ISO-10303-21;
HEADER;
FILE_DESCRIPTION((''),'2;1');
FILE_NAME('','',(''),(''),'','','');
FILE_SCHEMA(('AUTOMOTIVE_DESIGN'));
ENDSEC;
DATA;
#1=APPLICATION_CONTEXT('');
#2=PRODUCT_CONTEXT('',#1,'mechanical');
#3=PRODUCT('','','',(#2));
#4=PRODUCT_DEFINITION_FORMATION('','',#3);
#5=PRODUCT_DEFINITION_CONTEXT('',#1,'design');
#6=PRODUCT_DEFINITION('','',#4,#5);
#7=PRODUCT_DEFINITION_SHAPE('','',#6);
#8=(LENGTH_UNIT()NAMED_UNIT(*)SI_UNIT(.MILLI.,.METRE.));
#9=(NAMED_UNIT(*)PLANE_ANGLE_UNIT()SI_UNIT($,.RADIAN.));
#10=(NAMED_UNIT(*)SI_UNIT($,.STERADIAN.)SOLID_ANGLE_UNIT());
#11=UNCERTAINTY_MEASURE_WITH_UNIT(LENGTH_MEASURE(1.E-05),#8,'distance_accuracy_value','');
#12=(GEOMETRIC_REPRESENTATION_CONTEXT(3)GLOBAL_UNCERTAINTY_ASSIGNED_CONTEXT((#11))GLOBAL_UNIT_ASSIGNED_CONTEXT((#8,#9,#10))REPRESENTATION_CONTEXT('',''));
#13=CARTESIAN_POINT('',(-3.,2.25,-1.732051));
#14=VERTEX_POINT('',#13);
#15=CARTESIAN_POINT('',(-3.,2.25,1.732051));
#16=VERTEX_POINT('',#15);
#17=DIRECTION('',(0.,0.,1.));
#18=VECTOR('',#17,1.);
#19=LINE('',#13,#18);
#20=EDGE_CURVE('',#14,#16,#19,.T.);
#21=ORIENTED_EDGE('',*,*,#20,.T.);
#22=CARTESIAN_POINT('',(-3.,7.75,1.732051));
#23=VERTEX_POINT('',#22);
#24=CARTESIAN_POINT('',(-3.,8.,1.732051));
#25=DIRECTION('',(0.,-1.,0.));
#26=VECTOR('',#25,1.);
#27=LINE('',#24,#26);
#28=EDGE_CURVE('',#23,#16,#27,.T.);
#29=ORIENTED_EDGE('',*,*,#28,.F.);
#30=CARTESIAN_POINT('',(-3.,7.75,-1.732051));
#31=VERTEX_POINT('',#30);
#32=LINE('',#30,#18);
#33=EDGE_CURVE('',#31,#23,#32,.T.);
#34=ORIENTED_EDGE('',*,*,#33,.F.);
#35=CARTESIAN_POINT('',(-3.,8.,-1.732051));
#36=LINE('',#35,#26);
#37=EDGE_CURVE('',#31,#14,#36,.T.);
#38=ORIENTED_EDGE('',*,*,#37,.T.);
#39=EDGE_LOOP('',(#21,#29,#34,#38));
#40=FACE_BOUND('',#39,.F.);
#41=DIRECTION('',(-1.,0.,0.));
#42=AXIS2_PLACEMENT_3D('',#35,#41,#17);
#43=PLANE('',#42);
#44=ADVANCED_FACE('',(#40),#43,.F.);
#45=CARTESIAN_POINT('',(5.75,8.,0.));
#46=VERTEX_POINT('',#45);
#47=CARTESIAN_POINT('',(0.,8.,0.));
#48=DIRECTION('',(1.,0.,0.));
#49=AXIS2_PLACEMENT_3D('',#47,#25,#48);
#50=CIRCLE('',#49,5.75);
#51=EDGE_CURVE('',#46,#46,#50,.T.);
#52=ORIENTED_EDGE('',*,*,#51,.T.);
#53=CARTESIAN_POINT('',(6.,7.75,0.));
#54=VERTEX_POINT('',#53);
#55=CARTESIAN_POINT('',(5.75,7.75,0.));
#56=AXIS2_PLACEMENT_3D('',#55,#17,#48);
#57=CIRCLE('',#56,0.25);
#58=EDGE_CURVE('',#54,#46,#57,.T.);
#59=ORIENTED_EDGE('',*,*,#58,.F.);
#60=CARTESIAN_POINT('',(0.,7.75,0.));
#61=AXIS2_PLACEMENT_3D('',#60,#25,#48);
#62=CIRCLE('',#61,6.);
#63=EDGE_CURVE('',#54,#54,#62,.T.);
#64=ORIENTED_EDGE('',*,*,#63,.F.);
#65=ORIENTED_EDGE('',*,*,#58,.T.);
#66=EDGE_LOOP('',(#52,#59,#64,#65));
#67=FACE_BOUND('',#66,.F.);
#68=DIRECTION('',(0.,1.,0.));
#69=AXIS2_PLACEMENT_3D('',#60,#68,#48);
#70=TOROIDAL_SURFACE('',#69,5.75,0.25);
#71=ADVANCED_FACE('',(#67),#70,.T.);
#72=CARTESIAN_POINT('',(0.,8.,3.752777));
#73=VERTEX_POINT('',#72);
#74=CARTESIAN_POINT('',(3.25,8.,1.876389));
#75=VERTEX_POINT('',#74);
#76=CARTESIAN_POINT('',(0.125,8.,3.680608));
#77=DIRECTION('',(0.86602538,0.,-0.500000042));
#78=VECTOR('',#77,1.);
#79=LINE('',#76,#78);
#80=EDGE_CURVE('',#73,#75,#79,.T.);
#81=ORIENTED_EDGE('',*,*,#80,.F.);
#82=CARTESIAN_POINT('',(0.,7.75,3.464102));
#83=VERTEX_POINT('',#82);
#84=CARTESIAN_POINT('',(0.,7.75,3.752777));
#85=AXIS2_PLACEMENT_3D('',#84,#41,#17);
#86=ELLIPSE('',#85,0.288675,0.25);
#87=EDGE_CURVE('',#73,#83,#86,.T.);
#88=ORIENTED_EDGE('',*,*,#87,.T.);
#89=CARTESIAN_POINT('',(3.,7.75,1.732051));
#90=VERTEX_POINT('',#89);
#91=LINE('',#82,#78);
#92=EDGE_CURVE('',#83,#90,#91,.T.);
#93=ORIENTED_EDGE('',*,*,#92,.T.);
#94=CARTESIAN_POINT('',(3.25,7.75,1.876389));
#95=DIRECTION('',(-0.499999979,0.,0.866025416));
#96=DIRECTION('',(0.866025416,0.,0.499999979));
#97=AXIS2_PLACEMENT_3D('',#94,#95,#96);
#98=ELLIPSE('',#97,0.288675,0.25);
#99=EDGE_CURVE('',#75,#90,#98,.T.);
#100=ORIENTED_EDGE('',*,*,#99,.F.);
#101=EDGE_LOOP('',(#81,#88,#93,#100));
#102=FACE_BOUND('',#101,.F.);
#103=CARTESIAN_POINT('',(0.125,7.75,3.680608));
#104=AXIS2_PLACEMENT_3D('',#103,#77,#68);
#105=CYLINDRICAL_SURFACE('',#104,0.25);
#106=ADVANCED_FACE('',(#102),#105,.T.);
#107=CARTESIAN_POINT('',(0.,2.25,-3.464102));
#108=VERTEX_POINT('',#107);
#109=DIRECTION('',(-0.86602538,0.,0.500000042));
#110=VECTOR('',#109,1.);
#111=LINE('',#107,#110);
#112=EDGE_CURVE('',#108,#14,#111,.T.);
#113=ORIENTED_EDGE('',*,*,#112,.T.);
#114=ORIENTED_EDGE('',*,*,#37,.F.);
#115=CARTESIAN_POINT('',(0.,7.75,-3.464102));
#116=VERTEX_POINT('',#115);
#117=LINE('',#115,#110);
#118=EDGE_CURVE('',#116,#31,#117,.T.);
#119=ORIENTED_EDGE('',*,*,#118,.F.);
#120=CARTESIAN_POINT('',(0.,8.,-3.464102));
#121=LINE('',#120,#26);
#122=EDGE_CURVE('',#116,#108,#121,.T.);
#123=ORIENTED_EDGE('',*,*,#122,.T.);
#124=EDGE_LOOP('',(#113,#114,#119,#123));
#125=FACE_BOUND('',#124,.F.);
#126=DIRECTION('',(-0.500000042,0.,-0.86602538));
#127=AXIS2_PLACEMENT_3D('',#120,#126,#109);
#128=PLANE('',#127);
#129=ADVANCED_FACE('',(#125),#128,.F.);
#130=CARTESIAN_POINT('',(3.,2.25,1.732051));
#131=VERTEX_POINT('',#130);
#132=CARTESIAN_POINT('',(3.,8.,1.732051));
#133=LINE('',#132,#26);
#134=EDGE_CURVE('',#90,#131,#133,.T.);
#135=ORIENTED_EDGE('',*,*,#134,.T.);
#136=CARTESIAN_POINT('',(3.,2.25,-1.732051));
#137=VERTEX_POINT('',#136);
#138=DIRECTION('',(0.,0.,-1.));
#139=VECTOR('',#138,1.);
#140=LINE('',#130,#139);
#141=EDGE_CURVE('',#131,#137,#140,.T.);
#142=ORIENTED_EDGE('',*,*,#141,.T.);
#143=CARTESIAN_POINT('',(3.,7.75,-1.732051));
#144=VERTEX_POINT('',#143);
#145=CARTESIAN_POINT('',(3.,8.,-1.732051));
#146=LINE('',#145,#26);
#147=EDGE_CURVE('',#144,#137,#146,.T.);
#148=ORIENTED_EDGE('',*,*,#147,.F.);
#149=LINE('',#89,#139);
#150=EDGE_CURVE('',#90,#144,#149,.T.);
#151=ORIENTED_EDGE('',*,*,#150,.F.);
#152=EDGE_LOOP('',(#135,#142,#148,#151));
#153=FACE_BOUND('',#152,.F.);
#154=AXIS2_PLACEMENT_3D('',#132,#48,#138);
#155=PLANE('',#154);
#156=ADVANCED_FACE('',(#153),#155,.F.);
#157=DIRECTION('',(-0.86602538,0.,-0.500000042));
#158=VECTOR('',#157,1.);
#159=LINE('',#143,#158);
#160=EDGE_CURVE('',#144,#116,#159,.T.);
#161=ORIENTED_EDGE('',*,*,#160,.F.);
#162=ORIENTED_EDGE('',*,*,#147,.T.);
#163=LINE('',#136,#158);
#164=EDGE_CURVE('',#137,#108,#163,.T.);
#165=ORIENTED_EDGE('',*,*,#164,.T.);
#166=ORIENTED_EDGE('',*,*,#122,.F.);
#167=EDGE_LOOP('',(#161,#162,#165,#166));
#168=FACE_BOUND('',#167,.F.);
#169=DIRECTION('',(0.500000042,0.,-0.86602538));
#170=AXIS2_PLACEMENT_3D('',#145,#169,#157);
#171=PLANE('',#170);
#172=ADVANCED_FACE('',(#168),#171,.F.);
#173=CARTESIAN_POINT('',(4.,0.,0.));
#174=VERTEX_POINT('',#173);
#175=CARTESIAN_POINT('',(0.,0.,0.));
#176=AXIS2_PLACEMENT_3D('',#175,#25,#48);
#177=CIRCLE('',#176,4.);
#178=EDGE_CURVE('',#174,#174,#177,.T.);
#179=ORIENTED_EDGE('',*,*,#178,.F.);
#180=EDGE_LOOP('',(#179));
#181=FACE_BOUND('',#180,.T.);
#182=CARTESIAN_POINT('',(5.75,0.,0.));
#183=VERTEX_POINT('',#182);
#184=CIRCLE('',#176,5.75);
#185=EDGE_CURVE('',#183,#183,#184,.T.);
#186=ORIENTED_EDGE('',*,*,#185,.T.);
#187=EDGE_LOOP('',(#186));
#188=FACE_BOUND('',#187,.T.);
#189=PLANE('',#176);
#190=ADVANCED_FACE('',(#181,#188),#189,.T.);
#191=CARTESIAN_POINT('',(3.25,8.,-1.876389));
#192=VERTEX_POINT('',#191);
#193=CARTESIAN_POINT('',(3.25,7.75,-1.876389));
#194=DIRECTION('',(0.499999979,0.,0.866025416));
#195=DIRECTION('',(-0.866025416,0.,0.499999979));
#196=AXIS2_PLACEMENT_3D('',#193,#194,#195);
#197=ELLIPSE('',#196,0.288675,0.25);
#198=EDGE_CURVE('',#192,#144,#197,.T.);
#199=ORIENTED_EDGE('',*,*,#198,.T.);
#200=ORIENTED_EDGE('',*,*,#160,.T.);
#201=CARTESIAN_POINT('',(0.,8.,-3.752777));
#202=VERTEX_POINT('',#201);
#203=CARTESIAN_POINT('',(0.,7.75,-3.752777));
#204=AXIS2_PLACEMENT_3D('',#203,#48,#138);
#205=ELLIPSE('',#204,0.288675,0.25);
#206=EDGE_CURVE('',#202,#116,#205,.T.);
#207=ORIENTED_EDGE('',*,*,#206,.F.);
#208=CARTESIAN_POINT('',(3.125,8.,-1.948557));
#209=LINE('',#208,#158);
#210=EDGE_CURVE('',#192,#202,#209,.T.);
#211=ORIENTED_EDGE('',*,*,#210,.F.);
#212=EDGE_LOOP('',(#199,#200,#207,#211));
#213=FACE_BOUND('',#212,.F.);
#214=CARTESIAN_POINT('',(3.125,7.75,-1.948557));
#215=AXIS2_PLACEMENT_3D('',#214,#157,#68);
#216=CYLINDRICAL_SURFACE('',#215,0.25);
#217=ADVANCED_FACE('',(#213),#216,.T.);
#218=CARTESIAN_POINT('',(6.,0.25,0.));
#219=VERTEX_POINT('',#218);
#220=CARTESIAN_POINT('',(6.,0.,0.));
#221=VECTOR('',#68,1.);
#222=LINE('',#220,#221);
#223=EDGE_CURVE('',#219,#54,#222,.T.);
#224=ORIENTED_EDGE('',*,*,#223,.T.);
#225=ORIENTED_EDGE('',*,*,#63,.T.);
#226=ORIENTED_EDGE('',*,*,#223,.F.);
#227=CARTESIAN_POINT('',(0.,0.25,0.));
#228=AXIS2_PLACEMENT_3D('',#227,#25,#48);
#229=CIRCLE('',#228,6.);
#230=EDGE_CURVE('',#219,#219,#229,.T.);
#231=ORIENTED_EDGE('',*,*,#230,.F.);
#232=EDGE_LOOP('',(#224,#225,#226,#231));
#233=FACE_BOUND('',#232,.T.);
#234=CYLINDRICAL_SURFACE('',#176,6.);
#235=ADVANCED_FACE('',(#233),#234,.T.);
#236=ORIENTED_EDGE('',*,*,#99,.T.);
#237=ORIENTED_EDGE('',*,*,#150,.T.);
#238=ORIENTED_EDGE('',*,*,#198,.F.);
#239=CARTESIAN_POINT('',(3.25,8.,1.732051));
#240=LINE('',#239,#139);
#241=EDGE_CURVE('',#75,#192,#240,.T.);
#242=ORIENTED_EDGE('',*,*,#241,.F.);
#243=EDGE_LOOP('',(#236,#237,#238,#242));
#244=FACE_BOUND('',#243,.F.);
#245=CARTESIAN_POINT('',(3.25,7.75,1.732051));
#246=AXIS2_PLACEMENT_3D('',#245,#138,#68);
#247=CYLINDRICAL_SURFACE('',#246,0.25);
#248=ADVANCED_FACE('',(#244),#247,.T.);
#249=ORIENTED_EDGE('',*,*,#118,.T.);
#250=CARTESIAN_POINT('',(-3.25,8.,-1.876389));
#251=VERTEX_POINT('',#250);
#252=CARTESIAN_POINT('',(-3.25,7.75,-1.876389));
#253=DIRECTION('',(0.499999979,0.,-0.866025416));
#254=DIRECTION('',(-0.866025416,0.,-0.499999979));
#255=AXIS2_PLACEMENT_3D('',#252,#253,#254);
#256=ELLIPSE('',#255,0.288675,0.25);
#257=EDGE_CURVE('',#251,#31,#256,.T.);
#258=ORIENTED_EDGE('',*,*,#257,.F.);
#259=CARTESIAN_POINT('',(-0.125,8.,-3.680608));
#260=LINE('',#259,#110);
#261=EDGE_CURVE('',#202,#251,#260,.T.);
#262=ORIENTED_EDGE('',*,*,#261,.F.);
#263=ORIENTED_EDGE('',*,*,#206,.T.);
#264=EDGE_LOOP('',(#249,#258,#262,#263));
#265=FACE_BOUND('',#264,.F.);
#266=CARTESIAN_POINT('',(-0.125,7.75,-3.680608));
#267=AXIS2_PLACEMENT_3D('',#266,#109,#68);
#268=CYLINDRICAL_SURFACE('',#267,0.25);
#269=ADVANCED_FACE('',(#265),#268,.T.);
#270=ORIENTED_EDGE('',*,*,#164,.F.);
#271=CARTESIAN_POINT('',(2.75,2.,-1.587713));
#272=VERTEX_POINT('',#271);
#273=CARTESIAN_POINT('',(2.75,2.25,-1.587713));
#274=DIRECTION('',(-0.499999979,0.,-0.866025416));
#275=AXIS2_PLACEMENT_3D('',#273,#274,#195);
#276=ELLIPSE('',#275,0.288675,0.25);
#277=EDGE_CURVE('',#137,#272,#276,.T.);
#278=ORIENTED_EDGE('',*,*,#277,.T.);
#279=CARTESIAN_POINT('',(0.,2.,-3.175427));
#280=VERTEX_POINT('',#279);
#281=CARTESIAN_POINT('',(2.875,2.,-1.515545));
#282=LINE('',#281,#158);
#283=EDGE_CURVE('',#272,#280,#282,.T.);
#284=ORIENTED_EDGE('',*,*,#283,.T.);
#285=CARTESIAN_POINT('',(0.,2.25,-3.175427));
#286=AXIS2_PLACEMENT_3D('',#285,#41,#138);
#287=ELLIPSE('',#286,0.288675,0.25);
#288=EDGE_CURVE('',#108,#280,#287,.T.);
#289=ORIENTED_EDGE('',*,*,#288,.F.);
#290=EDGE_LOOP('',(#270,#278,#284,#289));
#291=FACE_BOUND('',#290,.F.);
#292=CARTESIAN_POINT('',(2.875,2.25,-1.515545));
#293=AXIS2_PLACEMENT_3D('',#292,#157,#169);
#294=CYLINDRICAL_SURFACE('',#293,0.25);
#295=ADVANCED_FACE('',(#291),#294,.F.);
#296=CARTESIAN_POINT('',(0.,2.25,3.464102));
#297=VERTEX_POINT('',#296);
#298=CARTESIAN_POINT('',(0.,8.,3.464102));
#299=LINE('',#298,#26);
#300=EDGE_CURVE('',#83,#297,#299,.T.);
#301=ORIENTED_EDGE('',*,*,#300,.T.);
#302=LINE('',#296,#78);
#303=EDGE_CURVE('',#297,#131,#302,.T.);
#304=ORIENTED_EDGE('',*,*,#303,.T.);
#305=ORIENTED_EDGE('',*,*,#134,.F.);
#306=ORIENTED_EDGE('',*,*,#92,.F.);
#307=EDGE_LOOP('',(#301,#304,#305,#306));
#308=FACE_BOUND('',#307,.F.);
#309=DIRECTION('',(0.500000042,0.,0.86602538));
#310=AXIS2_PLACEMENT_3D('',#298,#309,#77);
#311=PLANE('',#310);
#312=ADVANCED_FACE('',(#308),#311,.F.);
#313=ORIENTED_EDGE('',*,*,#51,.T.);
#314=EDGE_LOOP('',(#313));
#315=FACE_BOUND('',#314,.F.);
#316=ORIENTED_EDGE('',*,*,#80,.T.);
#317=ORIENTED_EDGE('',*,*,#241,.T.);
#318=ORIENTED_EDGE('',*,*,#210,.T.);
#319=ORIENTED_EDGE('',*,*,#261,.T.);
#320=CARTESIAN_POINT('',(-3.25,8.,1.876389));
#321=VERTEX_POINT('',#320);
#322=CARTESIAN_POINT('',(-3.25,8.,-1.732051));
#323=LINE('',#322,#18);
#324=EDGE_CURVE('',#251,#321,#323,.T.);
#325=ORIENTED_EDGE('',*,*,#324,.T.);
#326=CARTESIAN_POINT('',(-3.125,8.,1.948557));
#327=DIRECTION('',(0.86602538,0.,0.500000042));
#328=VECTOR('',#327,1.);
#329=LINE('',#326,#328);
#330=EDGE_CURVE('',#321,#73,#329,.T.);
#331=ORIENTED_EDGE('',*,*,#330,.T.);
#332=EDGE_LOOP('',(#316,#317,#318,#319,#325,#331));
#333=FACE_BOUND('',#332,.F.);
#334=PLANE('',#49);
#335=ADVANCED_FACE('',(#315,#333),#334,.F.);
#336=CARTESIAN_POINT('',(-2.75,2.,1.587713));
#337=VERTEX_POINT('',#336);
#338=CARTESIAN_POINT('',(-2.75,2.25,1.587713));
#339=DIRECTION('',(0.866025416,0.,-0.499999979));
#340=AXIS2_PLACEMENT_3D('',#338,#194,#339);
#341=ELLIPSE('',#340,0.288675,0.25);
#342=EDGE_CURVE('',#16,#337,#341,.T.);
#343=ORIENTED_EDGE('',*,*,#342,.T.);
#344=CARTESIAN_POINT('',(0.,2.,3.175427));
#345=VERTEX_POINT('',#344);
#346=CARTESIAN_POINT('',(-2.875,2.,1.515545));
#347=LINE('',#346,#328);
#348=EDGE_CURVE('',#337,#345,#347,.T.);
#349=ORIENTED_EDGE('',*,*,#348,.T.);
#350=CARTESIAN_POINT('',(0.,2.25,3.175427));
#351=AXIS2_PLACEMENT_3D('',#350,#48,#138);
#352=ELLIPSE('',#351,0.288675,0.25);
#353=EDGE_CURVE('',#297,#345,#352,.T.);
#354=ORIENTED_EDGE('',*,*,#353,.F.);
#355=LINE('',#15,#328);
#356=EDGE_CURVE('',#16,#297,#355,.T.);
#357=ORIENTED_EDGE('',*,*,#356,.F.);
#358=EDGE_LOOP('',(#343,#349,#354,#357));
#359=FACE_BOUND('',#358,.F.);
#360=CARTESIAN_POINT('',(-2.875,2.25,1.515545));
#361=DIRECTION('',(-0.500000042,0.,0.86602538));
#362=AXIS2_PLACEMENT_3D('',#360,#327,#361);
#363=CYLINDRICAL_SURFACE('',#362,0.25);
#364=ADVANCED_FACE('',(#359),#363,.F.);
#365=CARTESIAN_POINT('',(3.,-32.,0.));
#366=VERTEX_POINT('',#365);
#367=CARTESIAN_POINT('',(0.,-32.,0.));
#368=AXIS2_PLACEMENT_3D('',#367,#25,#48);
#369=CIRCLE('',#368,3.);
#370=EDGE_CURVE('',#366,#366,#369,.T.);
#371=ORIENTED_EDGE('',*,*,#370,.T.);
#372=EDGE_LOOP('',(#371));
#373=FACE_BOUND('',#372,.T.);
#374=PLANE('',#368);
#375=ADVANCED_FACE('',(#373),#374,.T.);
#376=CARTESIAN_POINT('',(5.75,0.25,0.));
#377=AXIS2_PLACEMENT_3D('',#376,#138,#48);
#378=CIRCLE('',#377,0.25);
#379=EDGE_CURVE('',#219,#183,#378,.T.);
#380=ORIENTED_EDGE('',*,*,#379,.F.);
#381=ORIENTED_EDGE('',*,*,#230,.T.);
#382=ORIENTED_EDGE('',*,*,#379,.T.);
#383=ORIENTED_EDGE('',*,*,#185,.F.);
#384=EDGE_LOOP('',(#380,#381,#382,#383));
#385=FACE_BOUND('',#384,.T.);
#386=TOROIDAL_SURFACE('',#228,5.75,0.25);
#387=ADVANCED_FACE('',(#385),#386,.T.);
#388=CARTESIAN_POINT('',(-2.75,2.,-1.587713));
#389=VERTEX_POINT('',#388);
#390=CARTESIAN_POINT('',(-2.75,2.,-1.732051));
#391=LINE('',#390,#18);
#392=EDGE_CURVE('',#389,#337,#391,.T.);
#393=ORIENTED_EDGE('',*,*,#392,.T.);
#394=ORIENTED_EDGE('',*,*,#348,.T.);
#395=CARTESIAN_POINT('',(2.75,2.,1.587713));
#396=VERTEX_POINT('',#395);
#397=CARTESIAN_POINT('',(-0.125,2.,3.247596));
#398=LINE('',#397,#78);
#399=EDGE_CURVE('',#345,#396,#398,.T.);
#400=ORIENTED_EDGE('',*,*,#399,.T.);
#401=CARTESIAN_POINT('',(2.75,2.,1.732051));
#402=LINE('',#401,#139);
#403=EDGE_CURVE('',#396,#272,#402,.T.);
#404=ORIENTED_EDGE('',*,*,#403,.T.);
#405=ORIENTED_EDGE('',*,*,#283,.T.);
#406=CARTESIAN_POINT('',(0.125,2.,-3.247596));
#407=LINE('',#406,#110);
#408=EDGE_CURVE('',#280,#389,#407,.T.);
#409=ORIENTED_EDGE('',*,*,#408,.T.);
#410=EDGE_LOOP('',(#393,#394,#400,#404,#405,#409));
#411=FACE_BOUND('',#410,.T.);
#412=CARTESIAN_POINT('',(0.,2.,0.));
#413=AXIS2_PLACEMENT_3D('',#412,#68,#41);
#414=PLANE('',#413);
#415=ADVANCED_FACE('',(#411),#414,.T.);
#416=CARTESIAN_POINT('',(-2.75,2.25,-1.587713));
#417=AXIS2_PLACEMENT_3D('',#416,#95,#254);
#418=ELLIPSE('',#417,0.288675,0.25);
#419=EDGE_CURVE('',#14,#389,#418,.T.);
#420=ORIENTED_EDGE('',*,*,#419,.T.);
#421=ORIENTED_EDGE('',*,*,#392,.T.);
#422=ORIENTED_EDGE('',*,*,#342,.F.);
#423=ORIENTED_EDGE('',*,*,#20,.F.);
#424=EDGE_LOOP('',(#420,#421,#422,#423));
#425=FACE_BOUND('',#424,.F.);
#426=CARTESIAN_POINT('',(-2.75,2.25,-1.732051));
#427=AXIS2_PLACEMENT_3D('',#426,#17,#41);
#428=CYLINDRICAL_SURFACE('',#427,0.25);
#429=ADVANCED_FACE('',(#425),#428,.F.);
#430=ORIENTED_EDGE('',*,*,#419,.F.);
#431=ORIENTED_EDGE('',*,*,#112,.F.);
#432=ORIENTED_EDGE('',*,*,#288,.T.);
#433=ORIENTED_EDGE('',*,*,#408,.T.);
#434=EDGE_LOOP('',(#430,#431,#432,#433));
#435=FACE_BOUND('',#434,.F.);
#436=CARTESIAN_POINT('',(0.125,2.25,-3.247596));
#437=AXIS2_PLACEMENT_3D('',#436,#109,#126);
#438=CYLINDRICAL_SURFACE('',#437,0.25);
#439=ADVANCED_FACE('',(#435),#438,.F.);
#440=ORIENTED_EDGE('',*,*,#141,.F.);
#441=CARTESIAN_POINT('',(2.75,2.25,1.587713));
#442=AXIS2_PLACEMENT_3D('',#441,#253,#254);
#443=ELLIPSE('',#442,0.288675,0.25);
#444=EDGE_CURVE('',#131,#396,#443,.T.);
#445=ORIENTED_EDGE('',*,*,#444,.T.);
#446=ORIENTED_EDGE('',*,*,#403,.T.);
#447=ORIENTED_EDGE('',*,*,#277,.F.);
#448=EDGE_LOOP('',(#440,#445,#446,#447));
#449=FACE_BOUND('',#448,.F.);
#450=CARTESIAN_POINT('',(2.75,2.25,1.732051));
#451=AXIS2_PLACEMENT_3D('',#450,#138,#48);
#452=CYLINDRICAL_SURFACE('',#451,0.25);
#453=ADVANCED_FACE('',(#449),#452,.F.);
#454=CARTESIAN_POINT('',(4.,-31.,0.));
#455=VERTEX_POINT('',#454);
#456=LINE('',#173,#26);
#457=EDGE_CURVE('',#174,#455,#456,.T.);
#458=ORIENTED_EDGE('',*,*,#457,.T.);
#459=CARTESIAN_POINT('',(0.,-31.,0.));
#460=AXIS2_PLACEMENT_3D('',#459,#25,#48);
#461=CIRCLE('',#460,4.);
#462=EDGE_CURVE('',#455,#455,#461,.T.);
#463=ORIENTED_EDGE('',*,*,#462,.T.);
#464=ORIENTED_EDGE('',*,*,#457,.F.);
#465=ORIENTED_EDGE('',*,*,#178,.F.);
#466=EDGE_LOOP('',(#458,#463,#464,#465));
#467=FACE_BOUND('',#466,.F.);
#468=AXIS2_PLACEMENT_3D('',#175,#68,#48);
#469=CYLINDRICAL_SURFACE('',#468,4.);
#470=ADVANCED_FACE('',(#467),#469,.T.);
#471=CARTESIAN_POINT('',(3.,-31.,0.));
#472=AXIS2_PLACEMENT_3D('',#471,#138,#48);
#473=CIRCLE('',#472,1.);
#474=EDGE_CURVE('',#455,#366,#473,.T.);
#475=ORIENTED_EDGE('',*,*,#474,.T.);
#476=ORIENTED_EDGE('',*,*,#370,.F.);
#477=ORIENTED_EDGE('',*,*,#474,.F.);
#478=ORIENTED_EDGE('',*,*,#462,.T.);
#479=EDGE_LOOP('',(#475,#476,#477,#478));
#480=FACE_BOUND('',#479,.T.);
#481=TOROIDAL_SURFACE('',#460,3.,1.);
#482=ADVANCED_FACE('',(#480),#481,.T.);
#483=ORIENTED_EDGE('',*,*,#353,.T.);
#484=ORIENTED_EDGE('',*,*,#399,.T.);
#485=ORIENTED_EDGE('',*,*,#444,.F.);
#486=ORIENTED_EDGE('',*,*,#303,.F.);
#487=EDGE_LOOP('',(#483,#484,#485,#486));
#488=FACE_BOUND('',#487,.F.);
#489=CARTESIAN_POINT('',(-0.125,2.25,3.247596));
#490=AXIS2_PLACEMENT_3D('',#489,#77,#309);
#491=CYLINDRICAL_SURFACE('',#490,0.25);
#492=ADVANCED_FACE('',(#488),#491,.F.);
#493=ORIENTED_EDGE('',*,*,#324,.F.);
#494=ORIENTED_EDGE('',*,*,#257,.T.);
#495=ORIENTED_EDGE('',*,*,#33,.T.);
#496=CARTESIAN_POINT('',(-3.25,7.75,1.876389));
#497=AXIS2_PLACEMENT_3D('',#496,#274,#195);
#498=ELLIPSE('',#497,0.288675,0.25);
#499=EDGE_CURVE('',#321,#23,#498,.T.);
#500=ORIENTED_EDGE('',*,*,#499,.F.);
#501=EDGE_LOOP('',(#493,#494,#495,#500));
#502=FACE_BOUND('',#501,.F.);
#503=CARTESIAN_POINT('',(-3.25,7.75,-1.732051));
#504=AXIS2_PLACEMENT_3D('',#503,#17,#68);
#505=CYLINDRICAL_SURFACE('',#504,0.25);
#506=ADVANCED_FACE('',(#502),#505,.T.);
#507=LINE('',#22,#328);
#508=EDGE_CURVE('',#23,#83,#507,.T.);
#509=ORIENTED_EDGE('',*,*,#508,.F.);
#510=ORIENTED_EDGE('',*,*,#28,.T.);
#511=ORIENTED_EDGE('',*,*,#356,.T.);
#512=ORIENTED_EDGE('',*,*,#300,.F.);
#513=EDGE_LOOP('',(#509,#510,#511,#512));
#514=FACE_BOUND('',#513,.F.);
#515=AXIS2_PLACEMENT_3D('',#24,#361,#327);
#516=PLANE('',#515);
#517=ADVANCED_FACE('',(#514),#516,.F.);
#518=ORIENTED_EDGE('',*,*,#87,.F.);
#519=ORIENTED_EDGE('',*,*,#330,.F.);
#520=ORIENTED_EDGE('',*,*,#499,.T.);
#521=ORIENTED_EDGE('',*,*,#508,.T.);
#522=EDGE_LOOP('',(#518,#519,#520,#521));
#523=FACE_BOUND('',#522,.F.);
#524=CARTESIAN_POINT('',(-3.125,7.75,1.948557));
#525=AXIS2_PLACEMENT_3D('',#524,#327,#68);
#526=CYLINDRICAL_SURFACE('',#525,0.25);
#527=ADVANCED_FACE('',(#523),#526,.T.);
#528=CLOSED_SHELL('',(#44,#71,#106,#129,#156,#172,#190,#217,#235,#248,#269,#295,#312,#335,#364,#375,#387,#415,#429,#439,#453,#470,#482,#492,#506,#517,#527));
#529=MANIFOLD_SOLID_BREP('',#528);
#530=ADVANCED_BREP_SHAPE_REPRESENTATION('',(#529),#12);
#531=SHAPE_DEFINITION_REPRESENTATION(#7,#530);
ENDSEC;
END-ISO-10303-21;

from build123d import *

# Parameters (mm, degrees)
F0_R     = 4
F1_DEPTH = 32
F0_R_2   = 6
F2_DEPTH = 8
F4_DEPTH = 6
F5_R     = 0.25
F6_R     = 1


with BuildPart() as f1:
    # F0 (on Front) → F1 (new body)
    with BuildSketch(Plane.XZ):
        Circle(F0_R)
    extrude(amount=F1_DEPTH)

    # F0 (on Front) → F2 (join)
    with BuildSketch(Plane.XZ):
        Circle(F0_R_2)
        Circle(F0_R, mode=Mode.SUBTRACT)
        Circle(F0_R)
    extrude(amount=-F2_DEPTH)

    # F3 (on face) → F4 (cut)
    with BuildSketch(Plane(origin=(0, 8, 0), x_dir=(-1, 0, 0), z_dir=(0, 1, 0))):
        Polygon((-3, 1.732051), (-3, -1.732051), (0, -3.464102), (3, -1.732051), (3, 1.732051), (0, 3.464102), align=None)
    extrude(amount=-F4_DEPTH, mode=Mode.SUBTRACT)

    # F5
    f5_edges = [f1.edges().sort_by_distance(p)[0] for p in [
        (1.5, 8, -2.598076),
        (-1.5, 8, -2.598076),
        (-3, 8, 0),
        (-1.5, 8, 2.598076),
        (1.5, 8, 2.598076),
        (3, 8, 0),
        (-6, 8, 0),
        (1.5, 2, -2.598076),
        (-1.5, 2, -2.598076),
        (3, 2, 0),
        (1.5, 2, 2.598076),
        (-1.5, 2, 2.598076),
        (-3, 2, 0),
        (-6, 0, 0),
    ]]
    fillet(f5_edges, radius=F5_R)

    # F6
    f6_edges = [f1.edges().sort_by_distance(p)[0] for p in [
        (-4, -32, 0),
    ]]
    fillet(f6_edges, radius=F6_R)


solid = f1.part
